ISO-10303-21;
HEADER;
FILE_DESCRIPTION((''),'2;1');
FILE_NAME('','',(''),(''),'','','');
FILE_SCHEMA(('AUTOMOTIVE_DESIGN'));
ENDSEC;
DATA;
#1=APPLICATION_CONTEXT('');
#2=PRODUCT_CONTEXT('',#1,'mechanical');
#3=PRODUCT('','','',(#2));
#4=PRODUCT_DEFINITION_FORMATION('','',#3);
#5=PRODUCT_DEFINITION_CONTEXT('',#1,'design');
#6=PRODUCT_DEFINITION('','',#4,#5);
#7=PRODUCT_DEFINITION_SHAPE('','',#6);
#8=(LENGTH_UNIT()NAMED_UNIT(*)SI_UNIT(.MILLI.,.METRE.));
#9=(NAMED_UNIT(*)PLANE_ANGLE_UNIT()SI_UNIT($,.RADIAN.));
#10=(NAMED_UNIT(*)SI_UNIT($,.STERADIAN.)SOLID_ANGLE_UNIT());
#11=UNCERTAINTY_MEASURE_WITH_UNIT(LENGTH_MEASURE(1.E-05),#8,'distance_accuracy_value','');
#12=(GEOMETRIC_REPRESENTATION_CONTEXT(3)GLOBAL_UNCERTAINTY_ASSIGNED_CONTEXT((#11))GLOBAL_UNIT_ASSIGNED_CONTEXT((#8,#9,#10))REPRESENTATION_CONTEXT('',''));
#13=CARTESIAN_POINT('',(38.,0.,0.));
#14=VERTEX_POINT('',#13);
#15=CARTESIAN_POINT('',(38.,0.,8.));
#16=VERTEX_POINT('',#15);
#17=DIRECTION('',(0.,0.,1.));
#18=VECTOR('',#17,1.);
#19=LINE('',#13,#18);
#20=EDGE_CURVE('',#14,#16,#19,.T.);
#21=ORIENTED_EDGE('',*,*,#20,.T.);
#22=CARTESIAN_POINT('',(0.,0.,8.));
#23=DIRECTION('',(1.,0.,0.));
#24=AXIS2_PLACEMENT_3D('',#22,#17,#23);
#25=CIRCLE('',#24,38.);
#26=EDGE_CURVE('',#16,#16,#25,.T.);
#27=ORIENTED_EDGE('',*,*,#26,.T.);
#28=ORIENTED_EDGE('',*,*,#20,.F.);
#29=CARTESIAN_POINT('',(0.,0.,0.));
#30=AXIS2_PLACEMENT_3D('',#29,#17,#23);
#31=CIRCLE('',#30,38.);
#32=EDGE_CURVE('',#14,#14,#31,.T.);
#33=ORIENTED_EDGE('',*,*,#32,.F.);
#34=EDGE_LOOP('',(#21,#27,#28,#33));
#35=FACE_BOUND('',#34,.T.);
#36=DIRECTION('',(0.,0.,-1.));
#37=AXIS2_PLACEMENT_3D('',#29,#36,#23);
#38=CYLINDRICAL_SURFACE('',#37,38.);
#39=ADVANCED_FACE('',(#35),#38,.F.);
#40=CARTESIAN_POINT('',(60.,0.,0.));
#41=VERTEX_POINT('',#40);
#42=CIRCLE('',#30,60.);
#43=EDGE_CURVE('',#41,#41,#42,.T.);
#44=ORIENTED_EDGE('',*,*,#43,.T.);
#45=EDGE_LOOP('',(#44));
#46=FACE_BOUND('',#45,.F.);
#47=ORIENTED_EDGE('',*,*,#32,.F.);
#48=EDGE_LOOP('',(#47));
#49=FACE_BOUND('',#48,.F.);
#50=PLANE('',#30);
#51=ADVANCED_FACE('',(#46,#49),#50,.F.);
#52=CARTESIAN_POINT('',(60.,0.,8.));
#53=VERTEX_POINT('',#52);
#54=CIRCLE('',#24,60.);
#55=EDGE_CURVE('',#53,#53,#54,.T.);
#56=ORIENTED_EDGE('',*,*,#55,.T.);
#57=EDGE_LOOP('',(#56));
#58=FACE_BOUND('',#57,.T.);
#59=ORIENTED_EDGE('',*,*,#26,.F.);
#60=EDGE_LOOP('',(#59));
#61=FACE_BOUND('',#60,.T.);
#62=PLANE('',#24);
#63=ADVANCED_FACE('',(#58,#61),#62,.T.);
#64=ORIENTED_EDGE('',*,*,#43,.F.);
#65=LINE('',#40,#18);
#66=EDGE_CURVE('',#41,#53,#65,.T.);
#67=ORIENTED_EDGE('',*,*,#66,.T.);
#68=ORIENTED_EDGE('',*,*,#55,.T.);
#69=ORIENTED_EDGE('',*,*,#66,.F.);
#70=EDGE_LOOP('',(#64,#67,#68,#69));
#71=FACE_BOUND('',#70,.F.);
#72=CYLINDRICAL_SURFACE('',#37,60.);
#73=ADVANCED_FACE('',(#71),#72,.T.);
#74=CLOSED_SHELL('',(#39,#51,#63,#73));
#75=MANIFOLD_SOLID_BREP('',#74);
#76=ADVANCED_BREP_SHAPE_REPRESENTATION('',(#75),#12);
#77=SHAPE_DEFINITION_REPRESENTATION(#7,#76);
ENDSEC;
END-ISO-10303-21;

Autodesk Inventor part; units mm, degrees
ref_plane "YZ Plane" through (0, 0, 0) normal (1, 0, 0) x (0, 1, 0)
ref_plane "XZ Plane" through (0, 0, 0) normal (0, 1, 0) x (-1, 0, 0)
ref_plane "XY Plane" through (0, 0, 0) normal (0, 0, 1) x (1, 0, 0)
sketch "Sketch2" plane through (0, 0, 0) normal (0, 0, 1) x (1, 0, 0)
  circle A0 centre (0, 0) radius 38
  circle A1 centre (0, 0) radius 60
  dimension "d25" = 76
  dimension "d27" = 120
extrude "Plate2" add sketch "Sketch2" along normal blind 8
equation "\"d14\" = Thickness"
equation "\"BendReliefWidth\" = Thickness"
equation "\"BendReliefDepth\" = 0.5 * Thickness"
equation "\"CornerReliefSize\" = 4 * Thickness"
equation "\"MinimumRemnant\" = 2 * Thickness"
equation "\"TransitionRadius\" = BendRadius"
equation "\"JacobiRadiusSize\" = BendRadius"
equation "\"GapSize\" = Thickness"
equation "\"Thickness\" = 8"
equation "\"BendRadius\" = 6"
properties part number "TZS 0932 FDS free flange DN90" material "Steel"
